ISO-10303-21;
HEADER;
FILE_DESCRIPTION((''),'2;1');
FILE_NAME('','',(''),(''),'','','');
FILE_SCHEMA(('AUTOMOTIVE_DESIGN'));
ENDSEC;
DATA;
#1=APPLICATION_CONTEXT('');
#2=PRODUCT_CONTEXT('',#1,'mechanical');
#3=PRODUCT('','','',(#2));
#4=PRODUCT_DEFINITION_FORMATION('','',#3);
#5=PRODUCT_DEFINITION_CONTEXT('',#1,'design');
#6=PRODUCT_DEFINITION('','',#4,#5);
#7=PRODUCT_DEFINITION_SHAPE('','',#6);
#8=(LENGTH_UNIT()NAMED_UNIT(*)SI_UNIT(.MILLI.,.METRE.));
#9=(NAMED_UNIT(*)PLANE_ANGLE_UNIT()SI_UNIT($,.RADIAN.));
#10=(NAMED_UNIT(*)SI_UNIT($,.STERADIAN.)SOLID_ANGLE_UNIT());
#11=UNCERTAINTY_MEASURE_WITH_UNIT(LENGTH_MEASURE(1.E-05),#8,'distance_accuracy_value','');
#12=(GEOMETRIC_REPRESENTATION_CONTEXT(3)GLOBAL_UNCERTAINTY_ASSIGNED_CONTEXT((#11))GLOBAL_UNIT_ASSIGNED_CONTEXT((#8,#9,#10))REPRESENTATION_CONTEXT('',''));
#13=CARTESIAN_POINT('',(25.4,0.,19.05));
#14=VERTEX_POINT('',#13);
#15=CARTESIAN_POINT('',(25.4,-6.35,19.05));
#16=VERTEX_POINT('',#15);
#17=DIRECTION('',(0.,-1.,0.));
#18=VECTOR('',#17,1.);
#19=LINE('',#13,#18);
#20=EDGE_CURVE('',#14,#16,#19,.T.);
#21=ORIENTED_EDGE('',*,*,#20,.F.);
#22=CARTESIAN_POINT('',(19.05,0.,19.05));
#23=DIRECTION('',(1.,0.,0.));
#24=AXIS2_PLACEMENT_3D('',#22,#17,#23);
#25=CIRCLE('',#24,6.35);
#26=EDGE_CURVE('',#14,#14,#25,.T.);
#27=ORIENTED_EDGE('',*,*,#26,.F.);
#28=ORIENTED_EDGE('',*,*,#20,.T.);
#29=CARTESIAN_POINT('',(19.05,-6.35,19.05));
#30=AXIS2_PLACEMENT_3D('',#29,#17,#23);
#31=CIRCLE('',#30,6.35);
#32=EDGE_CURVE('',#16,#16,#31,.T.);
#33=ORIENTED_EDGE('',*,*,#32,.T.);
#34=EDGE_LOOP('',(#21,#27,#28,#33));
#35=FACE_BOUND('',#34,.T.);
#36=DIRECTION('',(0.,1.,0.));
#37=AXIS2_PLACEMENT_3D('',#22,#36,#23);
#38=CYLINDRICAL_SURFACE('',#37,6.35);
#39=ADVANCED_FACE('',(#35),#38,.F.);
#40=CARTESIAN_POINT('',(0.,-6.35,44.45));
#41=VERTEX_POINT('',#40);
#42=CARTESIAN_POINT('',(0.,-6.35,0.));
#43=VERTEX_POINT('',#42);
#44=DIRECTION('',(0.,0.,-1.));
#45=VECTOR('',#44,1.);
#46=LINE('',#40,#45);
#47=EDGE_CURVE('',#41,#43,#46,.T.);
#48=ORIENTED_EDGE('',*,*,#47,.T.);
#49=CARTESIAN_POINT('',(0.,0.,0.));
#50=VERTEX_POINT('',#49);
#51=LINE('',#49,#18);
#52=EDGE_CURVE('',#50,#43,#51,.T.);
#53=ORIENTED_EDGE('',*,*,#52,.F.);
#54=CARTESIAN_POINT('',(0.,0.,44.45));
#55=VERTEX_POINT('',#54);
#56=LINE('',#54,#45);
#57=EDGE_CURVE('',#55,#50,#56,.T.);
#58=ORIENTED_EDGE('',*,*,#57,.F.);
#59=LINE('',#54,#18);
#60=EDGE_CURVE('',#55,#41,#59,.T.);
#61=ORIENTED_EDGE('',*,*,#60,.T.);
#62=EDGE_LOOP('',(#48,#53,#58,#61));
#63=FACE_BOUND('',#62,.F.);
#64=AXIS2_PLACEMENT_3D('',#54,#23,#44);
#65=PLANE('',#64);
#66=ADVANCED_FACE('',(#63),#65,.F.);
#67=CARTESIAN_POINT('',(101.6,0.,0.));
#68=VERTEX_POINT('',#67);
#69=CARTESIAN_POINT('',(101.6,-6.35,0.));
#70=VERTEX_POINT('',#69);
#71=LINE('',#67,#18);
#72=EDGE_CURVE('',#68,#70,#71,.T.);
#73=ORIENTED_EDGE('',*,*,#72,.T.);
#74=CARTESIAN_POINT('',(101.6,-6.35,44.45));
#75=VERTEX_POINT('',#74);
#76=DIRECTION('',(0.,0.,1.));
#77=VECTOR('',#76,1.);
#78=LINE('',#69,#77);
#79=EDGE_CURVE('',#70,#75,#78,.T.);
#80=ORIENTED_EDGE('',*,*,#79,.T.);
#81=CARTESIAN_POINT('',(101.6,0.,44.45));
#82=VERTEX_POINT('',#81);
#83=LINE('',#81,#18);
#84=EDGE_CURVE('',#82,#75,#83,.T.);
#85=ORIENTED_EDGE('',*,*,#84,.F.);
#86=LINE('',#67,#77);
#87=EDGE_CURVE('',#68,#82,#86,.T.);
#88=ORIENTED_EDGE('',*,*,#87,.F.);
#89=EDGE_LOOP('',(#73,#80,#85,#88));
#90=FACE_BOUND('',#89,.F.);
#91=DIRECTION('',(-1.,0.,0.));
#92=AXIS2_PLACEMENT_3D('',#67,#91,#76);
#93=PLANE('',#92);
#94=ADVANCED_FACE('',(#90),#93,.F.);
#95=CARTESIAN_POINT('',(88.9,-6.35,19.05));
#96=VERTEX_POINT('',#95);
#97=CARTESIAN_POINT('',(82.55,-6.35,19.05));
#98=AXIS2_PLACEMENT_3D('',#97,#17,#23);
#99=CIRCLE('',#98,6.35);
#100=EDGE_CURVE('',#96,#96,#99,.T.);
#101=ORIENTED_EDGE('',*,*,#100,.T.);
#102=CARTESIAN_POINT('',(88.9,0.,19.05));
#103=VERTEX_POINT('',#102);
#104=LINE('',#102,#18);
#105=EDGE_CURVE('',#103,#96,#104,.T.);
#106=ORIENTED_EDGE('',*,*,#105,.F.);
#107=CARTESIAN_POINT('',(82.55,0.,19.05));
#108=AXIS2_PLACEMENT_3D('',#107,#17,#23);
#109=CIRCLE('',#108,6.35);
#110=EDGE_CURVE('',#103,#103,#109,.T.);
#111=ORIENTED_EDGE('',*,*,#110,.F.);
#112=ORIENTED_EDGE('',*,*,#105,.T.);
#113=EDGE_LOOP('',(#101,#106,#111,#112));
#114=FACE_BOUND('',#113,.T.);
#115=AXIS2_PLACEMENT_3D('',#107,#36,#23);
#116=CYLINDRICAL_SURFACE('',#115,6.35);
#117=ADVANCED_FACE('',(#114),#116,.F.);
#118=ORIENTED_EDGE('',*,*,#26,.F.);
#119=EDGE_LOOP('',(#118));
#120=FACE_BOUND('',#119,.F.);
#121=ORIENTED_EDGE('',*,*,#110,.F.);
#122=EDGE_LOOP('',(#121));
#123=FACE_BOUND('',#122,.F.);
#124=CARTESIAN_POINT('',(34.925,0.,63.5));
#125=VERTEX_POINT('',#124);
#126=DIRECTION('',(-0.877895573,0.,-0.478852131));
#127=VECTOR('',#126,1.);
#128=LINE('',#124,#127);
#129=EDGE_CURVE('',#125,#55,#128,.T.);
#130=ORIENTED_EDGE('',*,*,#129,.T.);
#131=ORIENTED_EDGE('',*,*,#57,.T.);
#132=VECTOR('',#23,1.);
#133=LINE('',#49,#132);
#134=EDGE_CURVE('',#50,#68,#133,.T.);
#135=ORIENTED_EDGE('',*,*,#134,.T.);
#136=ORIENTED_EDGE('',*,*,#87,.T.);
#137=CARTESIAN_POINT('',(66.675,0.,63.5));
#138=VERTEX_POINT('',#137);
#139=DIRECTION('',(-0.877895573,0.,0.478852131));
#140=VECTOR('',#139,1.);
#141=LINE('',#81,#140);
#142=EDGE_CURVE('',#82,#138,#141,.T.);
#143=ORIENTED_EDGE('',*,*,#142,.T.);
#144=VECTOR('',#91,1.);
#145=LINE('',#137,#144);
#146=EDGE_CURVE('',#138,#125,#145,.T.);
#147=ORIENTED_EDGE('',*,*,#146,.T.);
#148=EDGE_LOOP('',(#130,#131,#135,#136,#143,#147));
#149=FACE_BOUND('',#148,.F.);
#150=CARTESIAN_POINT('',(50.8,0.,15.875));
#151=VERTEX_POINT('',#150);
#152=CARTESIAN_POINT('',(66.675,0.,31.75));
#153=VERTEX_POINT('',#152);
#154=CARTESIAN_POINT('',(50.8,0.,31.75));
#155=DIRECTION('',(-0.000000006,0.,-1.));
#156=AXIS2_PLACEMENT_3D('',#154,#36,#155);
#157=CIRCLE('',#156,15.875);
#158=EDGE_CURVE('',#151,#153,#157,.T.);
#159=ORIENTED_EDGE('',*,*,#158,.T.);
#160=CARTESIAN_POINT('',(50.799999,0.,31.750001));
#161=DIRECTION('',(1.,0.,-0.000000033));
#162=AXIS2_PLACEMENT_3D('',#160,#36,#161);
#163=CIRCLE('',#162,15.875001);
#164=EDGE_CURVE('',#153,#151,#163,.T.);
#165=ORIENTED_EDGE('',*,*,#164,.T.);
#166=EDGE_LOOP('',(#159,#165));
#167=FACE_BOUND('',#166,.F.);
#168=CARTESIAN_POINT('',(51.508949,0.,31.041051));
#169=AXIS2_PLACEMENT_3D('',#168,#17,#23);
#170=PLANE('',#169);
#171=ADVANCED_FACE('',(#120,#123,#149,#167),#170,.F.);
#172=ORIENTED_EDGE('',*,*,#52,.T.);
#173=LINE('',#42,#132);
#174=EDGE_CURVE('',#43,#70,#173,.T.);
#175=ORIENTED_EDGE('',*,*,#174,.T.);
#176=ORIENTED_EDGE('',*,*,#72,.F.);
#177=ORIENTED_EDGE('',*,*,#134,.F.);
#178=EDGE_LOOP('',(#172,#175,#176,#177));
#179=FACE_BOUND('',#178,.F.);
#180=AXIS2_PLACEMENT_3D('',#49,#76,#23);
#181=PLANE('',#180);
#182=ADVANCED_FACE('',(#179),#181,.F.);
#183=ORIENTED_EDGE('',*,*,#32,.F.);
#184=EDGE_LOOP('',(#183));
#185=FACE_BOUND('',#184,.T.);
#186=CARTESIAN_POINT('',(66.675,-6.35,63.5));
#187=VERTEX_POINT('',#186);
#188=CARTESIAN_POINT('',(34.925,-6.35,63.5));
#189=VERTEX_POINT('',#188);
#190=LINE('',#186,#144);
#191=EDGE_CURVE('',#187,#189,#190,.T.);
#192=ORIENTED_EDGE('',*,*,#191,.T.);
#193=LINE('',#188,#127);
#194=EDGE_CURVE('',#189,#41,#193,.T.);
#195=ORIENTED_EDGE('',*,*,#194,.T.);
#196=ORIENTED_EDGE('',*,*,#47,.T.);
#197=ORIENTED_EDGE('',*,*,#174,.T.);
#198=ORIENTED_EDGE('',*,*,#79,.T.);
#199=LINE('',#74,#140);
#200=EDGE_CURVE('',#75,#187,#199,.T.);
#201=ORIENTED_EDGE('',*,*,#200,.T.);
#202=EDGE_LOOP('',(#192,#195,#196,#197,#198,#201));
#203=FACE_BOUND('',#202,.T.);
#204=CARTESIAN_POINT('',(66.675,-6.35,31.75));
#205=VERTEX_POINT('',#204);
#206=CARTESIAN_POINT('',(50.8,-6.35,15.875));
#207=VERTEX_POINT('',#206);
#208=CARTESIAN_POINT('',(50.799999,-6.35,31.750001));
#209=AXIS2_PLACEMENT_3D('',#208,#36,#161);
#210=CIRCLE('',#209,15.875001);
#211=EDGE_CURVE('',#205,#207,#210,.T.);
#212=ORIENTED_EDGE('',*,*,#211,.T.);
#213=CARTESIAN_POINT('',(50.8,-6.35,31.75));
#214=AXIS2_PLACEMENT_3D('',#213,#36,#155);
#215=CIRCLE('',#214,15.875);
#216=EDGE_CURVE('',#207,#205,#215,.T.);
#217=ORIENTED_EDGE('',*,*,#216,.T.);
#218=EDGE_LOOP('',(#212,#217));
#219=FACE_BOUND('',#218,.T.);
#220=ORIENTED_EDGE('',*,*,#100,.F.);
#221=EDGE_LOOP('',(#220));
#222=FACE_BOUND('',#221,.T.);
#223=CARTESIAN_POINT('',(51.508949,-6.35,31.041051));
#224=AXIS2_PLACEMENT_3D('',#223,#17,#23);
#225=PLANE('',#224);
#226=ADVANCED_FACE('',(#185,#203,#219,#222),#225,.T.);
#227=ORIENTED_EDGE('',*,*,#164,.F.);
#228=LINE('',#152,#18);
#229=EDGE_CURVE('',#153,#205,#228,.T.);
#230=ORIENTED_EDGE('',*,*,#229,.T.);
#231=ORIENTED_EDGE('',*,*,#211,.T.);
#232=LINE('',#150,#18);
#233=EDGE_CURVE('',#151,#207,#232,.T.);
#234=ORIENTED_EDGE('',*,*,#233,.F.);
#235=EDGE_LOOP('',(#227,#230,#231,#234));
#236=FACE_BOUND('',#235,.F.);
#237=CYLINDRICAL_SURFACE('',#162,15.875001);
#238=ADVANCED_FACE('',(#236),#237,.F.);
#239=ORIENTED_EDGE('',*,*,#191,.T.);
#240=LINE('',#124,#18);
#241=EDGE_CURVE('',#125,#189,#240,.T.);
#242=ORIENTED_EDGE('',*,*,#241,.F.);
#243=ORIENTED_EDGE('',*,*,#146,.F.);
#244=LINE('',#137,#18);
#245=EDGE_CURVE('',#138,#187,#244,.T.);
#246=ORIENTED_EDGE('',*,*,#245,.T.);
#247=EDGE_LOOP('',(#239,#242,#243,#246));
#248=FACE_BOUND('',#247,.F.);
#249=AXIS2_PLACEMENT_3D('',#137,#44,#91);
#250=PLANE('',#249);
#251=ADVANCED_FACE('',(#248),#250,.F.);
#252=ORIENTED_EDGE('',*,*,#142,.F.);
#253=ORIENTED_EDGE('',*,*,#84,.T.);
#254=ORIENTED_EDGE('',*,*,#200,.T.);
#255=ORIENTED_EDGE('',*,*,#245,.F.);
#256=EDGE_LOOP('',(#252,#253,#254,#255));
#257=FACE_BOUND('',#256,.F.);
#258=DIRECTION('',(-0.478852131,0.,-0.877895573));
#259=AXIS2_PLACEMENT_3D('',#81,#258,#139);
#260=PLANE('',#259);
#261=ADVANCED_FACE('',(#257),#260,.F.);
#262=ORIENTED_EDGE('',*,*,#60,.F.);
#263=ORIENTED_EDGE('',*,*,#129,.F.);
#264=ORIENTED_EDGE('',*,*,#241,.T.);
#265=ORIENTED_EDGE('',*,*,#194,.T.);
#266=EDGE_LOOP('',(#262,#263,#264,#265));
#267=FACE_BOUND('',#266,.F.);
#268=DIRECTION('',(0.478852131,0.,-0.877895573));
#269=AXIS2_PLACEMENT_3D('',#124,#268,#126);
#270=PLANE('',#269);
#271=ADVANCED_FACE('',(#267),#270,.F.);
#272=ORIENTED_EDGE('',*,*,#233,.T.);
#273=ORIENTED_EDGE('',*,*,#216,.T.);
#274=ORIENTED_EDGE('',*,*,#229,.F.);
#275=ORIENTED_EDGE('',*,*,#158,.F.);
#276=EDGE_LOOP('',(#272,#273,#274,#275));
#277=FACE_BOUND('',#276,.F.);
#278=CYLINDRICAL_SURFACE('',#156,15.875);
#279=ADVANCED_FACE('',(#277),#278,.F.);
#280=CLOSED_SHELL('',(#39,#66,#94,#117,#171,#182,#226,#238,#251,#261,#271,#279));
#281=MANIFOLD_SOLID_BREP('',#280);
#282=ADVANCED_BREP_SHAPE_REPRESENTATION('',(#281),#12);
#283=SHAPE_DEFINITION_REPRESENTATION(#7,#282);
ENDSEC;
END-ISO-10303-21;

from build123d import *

# Parameters (mm, degrees)
F0_R     = 6.35
F1_DEPTH = 6.35


with BuildPart() as f1:
    # F0 (on Front) → F1 (new body)
    with BuildSketch(Plane.XZ):
        with BuildLine():
            ThreePointArc((66.675, 31.75), (39.57468, 42.97532), (50.8, 15.875))
            ThreePointArc((50.8, 15.875), (62.02532, 20.52468), (66.675, 31.75))
        make_face()
        Polygon((0, 19.05), (0, 0), (19.05, 0), (50.8, 0), (101.6, 0), (101.6, 44.45), (66.675, 63.5), (50.8, 63.5), (34.925, 63.5), (0, 44.45), align=None)
        with Locations((19.05, 19.05)):
            Circle(F0_R, mode=Mode.SUBTRACT)
        with Locations((82.55, 19.05)):
            Circle(F0_R, mode=Mode.SUBTRACT)
        with BuildLine():
            ThreePointArc((66.675, 31.75), (62.02532, 20.52468), (50.8, 15.875))
            ThreePointArc((50.8, 15.875), (39.57468, 42.97532), (66.675, 31.75))
        make_face(mode=Mode.SUBTRACT)
    extrude(amount=F1_DEPTH)


solid = f1.part
